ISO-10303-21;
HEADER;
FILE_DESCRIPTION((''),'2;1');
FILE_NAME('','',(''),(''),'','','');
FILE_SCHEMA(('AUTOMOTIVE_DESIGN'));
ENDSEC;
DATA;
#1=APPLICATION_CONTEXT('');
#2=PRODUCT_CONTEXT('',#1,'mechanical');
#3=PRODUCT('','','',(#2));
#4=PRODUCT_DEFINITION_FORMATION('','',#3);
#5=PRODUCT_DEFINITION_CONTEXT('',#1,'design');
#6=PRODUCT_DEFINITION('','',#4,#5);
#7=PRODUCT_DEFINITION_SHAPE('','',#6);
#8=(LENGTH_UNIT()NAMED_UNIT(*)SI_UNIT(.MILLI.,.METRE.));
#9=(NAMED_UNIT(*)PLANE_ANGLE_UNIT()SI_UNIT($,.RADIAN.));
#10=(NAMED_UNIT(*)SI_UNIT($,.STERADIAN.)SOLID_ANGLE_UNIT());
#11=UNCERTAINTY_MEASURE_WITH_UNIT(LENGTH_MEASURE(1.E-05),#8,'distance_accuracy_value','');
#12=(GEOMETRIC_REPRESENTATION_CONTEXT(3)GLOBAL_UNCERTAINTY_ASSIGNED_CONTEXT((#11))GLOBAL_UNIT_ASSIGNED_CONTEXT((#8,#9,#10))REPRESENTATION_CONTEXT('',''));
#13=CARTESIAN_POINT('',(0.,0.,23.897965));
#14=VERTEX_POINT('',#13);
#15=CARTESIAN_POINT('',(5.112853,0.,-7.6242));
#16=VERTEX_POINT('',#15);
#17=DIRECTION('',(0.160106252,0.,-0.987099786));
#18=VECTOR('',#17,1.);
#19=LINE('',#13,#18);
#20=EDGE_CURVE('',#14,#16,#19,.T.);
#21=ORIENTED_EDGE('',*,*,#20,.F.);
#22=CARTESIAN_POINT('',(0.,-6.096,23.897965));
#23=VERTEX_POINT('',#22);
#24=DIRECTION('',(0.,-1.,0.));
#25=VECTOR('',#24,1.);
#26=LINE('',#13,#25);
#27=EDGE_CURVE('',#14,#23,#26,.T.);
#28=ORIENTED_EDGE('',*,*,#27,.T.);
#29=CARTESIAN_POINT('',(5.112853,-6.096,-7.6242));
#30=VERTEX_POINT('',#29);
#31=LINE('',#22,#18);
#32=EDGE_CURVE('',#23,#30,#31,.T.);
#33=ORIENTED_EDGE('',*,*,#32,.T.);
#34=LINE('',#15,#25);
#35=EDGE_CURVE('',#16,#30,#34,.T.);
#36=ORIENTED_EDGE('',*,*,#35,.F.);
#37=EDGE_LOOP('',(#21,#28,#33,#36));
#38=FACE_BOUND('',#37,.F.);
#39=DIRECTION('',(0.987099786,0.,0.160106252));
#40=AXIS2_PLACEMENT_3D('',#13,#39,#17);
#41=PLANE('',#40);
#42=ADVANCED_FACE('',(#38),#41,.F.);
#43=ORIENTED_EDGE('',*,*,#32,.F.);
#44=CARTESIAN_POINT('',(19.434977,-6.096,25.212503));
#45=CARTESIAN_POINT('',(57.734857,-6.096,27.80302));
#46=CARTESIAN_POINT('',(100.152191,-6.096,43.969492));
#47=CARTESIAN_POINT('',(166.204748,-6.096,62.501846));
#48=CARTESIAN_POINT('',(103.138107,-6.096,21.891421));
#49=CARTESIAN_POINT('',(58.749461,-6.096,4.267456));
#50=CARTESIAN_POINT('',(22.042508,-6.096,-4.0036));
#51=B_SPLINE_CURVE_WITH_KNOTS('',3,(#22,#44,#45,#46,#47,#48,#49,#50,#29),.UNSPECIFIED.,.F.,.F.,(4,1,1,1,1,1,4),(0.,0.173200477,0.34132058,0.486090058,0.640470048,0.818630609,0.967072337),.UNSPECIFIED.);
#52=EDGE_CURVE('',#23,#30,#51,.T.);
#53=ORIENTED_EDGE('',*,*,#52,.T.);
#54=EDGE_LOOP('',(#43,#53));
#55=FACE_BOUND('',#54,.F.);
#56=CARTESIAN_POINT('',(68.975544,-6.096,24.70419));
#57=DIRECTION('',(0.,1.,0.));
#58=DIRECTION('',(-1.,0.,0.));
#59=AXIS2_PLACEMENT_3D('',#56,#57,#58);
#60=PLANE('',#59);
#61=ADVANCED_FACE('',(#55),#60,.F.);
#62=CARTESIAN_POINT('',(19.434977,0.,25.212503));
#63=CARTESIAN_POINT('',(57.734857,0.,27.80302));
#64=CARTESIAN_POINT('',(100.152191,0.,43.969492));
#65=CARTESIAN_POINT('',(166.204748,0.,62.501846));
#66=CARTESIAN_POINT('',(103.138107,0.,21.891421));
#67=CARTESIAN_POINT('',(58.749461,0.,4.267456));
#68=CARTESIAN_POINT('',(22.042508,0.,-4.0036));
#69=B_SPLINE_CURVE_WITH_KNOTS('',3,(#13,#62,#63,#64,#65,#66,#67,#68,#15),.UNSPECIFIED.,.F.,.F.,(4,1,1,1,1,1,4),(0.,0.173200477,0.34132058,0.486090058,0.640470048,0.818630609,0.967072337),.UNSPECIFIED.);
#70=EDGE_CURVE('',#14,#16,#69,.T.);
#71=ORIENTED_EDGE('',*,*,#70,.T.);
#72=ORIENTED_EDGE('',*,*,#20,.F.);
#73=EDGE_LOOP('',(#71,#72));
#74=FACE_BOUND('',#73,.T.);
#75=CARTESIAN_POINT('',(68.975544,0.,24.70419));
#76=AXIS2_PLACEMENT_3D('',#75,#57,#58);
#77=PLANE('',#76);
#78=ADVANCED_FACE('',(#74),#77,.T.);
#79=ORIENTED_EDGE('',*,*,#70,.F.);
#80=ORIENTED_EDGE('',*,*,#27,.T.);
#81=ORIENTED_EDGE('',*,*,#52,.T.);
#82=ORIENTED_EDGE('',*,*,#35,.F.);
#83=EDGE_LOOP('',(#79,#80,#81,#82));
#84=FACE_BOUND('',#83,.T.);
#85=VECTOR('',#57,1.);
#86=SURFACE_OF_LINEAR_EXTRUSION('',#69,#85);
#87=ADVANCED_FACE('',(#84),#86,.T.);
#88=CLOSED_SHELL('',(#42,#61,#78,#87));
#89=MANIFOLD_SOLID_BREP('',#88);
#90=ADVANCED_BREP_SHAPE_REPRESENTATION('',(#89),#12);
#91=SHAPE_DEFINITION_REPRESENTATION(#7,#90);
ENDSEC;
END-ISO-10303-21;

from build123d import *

# Parameters (mm, degrees)
F1_DEPTH = 6.096


with BuildPart() as f1:
    # F0 (on Front) → F1 (new body)
    with BuildSketch(Plane.XZ):
        with BuildLine():
            add(Edge.make_bspline(
                [(0, 23.8979645073), (19.4349767481, 25.2125025845), (57.7348570829, 27.8030202736), (100.1521905033, 43.96949184), (166.2047480734, 62.5018458114), (103.1381069028, 21.8914209048), (58.749460666, 4.2674561128), (22.0425077404, -4.0035995406), (5.1128525416, -7.6242001819)],
                knots=[0, 0, 0, 0, 0.173200477, 0.3413205804, 0.486090058, 0.6404700485, 0.818630609, 0.9670723375, 0.9670723375, 0.9670723375, 0.9670723375], degree=3))
            Line((0, 23.8979645073), (5.1128525416, -7.6242001819))
        make_face()
    extrude(amount=F1_DEPTH)


solid = f1.part
